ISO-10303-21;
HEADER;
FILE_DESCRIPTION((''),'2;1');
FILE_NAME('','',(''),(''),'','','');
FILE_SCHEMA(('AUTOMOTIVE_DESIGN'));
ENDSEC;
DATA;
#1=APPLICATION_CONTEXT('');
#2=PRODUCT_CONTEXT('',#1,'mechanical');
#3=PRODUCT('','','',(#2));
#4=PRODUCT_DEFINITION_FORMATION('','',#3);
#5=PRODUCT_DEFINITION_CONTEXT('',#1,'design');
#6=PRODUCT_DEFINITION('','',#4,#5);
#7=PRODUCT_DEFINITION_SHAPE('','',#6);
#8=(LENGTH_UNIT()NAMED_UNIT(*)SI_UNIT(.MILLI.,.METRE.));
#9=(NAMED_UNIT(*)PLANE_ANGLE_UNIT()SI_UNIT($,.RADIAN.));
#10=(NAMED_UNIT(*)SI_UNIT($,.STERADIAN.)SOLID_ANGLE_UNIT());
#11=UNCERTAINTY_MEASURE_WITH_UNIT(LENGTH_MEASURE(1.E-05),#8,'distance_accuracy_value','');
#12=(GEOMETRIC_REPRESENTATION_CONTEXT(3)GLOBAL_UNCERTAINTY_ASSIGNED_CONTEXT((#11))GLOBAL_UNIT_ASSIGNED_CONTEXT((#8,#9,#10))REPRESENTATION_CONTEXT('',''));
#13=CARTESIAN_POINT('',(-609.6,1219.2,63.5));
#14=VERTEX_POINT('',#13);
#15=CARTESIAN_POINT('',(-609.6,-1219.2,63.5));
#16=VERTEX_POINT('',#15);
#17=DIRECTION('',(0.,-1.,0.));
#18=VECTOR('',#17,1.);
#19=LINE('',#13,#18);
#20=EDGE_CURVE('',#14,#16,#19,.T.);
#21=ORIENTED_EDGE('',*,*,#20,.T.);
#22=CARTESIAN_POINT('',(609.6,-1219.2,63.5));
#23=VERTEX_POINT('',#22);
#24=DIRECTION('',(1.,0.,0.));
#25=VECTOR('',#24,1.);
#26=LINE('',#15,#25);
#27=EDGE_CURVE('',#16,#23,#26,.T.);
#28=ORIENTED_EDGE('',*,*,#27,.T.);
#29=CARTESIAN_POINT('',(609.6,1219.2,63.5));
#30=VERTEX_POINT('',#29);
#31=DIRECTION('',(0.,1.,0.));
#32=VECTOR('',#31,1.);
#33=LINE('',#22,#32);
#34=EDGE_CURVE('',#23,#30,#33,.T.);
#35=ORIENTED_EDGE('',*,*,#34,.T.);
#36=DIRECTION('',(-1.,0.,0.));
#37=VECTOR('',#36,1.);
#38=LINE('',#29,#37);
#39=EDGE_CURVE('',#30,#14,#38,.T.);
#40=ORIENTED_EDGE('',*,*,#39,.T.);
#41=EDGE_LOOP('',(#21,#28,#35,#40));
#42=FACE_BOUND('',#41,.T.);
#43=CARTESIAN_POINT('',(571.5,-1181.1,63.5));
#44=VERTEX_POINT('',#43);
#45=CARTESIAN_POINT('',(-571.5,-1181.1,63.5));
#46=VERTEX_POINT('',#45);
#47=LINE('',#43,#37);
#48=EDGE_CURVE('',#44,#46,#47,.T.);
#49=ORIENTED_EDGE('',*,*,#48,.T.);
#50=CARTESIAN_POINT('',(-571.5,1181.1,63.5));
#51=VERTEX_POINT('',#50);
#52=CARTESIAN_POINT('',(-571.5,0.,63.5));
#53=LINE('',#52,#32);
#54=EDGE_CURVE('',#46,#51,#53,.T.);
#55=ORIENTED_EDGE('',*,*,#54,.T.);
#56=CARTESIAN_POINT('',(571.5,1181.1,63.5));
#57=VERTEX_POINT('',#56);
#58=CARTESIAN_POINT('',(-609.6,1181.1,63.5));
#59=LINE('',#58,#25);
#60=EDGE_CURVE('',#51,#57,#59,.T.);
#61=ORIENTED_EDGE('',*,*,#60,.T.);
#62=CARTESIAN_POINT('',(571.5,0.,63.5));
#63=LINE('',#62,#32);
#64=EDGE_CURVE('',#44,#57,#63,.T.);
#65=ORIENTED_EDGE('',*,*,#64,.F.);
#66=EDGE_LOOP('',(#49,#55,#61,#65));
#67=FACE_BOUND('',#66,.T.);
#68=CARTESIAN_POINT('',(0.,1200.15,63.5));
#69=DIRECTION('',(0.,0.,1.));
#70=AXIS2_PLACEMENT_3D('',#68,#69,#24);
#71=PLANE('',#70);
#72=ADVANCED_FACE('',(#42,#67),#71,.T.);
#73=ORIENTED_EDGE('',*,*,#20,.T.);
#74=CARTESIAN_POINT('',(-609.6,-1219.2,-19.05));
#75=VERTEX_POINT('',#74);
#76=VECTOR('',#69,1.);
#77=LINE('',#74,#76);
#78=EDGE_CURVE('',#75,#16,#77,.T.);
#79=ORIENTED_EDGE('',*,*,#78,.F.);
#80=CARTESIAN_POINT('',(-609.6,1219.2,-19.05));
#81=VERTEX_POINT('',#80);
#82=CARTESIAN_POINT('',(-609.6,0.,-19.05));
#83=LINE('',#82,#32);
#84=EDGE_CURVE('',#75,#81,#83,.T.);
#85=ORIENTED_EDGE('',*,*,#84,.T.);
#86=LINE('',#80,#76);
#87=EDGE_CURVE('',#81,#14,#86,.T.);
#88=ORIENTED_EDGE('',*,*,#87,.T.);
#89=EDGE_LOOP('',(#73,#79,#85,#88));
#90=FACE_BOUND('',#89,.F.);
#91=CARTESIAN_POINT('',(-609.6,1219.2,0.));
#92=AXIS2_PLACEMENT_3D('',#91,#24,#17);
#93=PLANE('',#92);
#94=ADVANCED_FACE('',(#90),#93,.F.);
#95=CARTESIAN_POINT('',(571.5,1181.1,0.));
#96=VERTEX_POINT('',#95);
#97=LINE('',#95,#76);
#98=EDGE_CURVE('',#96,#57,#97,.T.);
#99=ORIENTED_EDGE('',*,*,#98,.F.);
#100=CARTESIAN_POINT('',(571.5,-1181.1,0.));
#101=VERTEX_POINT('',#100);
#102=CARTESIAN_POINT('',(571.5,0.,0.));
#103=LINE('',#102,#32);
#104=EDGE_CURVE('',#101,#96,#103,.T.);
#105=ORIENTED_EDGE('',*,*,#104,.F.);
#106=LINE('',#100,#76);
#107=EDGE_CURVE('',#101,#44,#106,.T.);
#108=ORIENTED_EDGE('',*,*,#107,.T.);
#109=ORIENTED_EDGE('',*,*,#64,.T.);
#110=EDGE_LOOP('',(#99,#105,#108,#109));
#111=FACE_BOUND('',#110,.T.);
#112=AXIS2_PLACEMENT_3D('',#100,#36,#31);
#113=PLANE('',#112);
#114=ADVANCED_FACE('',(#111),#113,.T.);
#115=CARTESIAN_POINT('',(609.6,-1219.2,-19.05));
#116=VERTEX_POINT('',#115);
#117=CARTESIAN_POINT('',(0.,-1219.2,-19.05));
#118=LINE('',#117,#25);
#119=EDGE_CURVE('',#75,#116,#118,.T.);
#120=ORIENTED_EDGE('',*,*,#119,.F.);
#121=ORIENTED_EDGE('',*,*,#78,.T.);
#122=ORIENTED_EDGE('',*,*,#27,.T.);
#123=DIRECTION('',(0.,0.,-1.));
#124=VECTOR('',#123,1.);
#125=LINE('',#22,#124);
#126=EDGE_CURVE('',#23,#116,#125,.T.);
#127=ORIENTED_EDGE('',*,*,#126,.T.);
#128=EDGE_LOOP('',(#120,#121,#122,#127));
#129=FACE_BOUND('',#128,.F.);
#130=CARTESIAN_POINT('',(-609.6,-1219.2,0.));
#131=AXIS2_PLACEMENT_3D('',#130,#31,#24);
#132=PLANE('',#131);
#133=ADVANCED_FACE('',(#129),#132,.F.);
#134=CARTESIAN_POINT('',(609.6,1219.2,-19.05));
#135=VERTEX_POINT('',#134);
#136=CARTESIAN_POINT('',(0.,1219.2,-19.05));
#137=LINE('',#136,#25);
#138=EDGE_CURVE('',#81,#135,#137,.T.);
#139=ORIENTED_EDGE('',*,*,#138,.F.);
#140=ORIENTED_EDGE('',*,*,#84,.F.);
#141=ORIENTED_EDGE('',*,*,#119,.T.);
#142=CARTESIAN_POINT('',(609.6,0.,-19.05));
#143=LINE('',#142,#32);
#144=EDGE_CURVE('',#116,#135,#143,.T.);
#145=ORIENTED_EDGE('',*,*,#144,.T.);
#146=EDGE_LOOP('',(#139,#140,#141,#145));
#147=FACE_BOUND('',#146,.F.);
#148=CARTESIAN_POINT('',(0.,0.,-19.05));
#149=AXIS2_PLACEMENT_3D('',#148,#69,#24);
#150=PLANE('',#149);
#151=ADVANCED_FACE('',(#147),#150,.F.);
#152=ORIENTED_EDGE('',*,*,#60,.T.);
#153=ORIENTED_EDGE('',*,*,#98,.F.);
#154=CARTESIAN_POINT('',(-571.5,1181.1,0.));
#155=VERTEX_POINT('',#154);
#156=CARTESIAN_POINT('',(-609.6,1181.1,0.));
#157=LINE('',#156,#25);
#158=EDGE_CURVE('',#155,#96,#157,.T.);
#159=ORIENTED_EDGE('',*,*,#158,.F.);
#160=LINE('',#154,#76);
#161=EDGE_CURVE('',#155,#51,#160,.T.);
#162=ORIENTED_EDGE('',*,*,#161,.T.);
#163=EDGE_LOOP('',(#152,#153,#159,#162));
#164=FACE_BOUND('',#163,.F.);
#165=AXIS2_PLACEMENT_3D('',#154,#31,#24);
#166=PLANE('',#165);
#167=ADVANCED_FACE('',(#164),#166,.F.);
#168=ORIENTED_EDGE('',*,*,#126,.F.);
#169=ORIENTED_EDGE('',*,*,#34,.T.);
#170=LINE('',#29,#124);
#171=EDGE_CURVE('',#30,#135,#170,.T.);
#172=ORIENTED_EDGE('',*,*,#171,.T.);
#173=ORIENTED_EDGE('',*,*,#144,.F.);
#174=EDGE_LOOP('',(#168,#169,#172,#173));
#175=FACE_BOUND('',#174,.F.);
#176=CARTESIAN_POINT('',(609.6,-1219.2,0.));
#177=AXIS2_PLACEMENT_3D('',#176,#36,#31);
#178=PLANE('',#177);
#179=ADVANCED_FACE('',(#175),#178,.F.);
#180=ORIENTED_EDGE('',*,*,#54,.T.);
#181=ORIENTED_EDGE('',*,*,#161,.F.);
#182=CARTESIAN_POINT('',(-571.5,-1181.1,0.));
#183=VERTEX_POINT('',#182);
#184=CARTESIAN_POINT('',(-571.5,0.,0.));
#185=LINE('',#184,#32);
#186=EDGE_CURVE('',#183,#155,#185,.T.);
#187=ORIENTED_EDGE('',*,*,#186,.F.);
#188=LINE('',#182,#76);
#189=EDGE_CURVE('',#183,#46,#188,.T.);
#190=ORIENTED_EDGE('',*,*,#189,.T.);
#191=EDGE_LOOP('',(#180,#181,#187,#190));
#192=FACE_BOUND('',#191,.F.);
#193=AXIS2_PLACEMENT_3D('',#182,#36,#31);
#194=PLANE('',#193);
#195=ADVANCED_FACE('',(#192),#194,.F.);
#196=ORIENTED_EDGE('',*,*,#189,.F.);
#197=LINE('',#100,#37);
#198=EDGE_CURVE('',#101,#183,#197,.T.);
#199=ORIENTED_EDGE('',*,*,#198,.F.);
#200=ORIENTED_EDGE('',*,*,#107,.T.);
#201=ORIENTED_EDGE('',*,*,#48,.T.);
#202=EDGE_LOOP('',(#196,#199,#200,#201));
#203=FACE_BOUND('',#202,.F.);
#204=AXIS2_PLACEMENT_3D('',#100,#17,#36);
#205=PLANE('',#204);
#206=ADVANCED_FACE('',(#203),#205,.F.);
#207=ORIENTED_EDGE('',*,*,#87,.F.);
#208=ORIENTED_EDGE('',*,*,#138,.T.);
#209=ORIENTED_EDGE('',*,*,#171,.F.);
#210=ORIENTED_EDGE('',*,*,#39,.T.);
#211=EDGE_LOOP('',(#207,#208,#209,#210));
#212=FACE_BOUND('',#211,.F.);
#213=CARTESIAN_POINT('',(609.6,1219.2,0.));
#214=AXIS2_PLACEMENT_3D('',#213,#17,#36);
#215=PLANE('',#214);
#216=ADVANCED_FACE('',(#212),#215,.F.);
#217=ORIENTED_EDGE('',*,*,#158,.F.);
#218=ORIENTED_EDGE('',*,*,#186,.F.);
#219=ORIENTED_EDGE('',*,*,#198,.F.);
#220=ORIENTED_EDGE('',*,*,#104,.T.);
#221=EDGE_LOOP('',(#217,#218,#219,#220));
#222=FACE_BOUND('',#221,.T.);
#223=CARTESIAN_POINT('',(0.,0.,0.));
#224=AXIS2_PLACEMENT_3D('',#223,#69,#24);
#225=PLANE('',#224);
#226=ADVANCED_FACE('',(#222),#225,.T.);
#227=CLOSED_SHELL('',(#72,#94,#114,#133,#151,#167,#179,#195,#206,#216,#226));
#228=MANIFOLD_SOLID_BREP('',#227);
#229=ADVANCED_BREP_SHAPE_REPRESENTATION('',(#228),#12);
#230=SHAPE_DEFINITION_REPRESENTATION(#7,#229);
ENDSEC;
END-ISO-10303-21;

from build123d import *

# Parameters (mm, degrees)
F0_W     = 1219.2
F0_H     = 2438.4
F1_DEPTH = 19.05
F2_W     = 38.1
F2_H     = 2362.2
F3_DEPTH = 63.5


with BuildPart() as f1:
    # F0 (on Top) → F1 (new body)
    with BuildSketch(Plane.XY):
        Rectangle(F0_W, F0_H)
    extrude(amount=-F1_DEPTH)

    # F2 (on face) → F3 (join)
    with BuildSketch(Plane.XY):
        Polygon((609.6, 1219.2), (-609.6, 1219.2), (-609.6, 1181.1), (-571.5, 1181.1), (571.5, 1181.1), (609.6, 1181.1), align=None)
        with Locations((-590.55, 0)):
            Rectangle(F2_W, F2_H)
        with Locations((590.55, 0)):
            Rectangle(F2_W, F2_H)
        Polygon((-571.5, -1181.1), (-609.6, -1181.1), (-609.6, -1219.2), (609.6, -1219.2), (609.6, -1181.1), (571.5, -1181.1), align=None)
    extrude(amount=F3_DEPTH)


solid = f1.part
